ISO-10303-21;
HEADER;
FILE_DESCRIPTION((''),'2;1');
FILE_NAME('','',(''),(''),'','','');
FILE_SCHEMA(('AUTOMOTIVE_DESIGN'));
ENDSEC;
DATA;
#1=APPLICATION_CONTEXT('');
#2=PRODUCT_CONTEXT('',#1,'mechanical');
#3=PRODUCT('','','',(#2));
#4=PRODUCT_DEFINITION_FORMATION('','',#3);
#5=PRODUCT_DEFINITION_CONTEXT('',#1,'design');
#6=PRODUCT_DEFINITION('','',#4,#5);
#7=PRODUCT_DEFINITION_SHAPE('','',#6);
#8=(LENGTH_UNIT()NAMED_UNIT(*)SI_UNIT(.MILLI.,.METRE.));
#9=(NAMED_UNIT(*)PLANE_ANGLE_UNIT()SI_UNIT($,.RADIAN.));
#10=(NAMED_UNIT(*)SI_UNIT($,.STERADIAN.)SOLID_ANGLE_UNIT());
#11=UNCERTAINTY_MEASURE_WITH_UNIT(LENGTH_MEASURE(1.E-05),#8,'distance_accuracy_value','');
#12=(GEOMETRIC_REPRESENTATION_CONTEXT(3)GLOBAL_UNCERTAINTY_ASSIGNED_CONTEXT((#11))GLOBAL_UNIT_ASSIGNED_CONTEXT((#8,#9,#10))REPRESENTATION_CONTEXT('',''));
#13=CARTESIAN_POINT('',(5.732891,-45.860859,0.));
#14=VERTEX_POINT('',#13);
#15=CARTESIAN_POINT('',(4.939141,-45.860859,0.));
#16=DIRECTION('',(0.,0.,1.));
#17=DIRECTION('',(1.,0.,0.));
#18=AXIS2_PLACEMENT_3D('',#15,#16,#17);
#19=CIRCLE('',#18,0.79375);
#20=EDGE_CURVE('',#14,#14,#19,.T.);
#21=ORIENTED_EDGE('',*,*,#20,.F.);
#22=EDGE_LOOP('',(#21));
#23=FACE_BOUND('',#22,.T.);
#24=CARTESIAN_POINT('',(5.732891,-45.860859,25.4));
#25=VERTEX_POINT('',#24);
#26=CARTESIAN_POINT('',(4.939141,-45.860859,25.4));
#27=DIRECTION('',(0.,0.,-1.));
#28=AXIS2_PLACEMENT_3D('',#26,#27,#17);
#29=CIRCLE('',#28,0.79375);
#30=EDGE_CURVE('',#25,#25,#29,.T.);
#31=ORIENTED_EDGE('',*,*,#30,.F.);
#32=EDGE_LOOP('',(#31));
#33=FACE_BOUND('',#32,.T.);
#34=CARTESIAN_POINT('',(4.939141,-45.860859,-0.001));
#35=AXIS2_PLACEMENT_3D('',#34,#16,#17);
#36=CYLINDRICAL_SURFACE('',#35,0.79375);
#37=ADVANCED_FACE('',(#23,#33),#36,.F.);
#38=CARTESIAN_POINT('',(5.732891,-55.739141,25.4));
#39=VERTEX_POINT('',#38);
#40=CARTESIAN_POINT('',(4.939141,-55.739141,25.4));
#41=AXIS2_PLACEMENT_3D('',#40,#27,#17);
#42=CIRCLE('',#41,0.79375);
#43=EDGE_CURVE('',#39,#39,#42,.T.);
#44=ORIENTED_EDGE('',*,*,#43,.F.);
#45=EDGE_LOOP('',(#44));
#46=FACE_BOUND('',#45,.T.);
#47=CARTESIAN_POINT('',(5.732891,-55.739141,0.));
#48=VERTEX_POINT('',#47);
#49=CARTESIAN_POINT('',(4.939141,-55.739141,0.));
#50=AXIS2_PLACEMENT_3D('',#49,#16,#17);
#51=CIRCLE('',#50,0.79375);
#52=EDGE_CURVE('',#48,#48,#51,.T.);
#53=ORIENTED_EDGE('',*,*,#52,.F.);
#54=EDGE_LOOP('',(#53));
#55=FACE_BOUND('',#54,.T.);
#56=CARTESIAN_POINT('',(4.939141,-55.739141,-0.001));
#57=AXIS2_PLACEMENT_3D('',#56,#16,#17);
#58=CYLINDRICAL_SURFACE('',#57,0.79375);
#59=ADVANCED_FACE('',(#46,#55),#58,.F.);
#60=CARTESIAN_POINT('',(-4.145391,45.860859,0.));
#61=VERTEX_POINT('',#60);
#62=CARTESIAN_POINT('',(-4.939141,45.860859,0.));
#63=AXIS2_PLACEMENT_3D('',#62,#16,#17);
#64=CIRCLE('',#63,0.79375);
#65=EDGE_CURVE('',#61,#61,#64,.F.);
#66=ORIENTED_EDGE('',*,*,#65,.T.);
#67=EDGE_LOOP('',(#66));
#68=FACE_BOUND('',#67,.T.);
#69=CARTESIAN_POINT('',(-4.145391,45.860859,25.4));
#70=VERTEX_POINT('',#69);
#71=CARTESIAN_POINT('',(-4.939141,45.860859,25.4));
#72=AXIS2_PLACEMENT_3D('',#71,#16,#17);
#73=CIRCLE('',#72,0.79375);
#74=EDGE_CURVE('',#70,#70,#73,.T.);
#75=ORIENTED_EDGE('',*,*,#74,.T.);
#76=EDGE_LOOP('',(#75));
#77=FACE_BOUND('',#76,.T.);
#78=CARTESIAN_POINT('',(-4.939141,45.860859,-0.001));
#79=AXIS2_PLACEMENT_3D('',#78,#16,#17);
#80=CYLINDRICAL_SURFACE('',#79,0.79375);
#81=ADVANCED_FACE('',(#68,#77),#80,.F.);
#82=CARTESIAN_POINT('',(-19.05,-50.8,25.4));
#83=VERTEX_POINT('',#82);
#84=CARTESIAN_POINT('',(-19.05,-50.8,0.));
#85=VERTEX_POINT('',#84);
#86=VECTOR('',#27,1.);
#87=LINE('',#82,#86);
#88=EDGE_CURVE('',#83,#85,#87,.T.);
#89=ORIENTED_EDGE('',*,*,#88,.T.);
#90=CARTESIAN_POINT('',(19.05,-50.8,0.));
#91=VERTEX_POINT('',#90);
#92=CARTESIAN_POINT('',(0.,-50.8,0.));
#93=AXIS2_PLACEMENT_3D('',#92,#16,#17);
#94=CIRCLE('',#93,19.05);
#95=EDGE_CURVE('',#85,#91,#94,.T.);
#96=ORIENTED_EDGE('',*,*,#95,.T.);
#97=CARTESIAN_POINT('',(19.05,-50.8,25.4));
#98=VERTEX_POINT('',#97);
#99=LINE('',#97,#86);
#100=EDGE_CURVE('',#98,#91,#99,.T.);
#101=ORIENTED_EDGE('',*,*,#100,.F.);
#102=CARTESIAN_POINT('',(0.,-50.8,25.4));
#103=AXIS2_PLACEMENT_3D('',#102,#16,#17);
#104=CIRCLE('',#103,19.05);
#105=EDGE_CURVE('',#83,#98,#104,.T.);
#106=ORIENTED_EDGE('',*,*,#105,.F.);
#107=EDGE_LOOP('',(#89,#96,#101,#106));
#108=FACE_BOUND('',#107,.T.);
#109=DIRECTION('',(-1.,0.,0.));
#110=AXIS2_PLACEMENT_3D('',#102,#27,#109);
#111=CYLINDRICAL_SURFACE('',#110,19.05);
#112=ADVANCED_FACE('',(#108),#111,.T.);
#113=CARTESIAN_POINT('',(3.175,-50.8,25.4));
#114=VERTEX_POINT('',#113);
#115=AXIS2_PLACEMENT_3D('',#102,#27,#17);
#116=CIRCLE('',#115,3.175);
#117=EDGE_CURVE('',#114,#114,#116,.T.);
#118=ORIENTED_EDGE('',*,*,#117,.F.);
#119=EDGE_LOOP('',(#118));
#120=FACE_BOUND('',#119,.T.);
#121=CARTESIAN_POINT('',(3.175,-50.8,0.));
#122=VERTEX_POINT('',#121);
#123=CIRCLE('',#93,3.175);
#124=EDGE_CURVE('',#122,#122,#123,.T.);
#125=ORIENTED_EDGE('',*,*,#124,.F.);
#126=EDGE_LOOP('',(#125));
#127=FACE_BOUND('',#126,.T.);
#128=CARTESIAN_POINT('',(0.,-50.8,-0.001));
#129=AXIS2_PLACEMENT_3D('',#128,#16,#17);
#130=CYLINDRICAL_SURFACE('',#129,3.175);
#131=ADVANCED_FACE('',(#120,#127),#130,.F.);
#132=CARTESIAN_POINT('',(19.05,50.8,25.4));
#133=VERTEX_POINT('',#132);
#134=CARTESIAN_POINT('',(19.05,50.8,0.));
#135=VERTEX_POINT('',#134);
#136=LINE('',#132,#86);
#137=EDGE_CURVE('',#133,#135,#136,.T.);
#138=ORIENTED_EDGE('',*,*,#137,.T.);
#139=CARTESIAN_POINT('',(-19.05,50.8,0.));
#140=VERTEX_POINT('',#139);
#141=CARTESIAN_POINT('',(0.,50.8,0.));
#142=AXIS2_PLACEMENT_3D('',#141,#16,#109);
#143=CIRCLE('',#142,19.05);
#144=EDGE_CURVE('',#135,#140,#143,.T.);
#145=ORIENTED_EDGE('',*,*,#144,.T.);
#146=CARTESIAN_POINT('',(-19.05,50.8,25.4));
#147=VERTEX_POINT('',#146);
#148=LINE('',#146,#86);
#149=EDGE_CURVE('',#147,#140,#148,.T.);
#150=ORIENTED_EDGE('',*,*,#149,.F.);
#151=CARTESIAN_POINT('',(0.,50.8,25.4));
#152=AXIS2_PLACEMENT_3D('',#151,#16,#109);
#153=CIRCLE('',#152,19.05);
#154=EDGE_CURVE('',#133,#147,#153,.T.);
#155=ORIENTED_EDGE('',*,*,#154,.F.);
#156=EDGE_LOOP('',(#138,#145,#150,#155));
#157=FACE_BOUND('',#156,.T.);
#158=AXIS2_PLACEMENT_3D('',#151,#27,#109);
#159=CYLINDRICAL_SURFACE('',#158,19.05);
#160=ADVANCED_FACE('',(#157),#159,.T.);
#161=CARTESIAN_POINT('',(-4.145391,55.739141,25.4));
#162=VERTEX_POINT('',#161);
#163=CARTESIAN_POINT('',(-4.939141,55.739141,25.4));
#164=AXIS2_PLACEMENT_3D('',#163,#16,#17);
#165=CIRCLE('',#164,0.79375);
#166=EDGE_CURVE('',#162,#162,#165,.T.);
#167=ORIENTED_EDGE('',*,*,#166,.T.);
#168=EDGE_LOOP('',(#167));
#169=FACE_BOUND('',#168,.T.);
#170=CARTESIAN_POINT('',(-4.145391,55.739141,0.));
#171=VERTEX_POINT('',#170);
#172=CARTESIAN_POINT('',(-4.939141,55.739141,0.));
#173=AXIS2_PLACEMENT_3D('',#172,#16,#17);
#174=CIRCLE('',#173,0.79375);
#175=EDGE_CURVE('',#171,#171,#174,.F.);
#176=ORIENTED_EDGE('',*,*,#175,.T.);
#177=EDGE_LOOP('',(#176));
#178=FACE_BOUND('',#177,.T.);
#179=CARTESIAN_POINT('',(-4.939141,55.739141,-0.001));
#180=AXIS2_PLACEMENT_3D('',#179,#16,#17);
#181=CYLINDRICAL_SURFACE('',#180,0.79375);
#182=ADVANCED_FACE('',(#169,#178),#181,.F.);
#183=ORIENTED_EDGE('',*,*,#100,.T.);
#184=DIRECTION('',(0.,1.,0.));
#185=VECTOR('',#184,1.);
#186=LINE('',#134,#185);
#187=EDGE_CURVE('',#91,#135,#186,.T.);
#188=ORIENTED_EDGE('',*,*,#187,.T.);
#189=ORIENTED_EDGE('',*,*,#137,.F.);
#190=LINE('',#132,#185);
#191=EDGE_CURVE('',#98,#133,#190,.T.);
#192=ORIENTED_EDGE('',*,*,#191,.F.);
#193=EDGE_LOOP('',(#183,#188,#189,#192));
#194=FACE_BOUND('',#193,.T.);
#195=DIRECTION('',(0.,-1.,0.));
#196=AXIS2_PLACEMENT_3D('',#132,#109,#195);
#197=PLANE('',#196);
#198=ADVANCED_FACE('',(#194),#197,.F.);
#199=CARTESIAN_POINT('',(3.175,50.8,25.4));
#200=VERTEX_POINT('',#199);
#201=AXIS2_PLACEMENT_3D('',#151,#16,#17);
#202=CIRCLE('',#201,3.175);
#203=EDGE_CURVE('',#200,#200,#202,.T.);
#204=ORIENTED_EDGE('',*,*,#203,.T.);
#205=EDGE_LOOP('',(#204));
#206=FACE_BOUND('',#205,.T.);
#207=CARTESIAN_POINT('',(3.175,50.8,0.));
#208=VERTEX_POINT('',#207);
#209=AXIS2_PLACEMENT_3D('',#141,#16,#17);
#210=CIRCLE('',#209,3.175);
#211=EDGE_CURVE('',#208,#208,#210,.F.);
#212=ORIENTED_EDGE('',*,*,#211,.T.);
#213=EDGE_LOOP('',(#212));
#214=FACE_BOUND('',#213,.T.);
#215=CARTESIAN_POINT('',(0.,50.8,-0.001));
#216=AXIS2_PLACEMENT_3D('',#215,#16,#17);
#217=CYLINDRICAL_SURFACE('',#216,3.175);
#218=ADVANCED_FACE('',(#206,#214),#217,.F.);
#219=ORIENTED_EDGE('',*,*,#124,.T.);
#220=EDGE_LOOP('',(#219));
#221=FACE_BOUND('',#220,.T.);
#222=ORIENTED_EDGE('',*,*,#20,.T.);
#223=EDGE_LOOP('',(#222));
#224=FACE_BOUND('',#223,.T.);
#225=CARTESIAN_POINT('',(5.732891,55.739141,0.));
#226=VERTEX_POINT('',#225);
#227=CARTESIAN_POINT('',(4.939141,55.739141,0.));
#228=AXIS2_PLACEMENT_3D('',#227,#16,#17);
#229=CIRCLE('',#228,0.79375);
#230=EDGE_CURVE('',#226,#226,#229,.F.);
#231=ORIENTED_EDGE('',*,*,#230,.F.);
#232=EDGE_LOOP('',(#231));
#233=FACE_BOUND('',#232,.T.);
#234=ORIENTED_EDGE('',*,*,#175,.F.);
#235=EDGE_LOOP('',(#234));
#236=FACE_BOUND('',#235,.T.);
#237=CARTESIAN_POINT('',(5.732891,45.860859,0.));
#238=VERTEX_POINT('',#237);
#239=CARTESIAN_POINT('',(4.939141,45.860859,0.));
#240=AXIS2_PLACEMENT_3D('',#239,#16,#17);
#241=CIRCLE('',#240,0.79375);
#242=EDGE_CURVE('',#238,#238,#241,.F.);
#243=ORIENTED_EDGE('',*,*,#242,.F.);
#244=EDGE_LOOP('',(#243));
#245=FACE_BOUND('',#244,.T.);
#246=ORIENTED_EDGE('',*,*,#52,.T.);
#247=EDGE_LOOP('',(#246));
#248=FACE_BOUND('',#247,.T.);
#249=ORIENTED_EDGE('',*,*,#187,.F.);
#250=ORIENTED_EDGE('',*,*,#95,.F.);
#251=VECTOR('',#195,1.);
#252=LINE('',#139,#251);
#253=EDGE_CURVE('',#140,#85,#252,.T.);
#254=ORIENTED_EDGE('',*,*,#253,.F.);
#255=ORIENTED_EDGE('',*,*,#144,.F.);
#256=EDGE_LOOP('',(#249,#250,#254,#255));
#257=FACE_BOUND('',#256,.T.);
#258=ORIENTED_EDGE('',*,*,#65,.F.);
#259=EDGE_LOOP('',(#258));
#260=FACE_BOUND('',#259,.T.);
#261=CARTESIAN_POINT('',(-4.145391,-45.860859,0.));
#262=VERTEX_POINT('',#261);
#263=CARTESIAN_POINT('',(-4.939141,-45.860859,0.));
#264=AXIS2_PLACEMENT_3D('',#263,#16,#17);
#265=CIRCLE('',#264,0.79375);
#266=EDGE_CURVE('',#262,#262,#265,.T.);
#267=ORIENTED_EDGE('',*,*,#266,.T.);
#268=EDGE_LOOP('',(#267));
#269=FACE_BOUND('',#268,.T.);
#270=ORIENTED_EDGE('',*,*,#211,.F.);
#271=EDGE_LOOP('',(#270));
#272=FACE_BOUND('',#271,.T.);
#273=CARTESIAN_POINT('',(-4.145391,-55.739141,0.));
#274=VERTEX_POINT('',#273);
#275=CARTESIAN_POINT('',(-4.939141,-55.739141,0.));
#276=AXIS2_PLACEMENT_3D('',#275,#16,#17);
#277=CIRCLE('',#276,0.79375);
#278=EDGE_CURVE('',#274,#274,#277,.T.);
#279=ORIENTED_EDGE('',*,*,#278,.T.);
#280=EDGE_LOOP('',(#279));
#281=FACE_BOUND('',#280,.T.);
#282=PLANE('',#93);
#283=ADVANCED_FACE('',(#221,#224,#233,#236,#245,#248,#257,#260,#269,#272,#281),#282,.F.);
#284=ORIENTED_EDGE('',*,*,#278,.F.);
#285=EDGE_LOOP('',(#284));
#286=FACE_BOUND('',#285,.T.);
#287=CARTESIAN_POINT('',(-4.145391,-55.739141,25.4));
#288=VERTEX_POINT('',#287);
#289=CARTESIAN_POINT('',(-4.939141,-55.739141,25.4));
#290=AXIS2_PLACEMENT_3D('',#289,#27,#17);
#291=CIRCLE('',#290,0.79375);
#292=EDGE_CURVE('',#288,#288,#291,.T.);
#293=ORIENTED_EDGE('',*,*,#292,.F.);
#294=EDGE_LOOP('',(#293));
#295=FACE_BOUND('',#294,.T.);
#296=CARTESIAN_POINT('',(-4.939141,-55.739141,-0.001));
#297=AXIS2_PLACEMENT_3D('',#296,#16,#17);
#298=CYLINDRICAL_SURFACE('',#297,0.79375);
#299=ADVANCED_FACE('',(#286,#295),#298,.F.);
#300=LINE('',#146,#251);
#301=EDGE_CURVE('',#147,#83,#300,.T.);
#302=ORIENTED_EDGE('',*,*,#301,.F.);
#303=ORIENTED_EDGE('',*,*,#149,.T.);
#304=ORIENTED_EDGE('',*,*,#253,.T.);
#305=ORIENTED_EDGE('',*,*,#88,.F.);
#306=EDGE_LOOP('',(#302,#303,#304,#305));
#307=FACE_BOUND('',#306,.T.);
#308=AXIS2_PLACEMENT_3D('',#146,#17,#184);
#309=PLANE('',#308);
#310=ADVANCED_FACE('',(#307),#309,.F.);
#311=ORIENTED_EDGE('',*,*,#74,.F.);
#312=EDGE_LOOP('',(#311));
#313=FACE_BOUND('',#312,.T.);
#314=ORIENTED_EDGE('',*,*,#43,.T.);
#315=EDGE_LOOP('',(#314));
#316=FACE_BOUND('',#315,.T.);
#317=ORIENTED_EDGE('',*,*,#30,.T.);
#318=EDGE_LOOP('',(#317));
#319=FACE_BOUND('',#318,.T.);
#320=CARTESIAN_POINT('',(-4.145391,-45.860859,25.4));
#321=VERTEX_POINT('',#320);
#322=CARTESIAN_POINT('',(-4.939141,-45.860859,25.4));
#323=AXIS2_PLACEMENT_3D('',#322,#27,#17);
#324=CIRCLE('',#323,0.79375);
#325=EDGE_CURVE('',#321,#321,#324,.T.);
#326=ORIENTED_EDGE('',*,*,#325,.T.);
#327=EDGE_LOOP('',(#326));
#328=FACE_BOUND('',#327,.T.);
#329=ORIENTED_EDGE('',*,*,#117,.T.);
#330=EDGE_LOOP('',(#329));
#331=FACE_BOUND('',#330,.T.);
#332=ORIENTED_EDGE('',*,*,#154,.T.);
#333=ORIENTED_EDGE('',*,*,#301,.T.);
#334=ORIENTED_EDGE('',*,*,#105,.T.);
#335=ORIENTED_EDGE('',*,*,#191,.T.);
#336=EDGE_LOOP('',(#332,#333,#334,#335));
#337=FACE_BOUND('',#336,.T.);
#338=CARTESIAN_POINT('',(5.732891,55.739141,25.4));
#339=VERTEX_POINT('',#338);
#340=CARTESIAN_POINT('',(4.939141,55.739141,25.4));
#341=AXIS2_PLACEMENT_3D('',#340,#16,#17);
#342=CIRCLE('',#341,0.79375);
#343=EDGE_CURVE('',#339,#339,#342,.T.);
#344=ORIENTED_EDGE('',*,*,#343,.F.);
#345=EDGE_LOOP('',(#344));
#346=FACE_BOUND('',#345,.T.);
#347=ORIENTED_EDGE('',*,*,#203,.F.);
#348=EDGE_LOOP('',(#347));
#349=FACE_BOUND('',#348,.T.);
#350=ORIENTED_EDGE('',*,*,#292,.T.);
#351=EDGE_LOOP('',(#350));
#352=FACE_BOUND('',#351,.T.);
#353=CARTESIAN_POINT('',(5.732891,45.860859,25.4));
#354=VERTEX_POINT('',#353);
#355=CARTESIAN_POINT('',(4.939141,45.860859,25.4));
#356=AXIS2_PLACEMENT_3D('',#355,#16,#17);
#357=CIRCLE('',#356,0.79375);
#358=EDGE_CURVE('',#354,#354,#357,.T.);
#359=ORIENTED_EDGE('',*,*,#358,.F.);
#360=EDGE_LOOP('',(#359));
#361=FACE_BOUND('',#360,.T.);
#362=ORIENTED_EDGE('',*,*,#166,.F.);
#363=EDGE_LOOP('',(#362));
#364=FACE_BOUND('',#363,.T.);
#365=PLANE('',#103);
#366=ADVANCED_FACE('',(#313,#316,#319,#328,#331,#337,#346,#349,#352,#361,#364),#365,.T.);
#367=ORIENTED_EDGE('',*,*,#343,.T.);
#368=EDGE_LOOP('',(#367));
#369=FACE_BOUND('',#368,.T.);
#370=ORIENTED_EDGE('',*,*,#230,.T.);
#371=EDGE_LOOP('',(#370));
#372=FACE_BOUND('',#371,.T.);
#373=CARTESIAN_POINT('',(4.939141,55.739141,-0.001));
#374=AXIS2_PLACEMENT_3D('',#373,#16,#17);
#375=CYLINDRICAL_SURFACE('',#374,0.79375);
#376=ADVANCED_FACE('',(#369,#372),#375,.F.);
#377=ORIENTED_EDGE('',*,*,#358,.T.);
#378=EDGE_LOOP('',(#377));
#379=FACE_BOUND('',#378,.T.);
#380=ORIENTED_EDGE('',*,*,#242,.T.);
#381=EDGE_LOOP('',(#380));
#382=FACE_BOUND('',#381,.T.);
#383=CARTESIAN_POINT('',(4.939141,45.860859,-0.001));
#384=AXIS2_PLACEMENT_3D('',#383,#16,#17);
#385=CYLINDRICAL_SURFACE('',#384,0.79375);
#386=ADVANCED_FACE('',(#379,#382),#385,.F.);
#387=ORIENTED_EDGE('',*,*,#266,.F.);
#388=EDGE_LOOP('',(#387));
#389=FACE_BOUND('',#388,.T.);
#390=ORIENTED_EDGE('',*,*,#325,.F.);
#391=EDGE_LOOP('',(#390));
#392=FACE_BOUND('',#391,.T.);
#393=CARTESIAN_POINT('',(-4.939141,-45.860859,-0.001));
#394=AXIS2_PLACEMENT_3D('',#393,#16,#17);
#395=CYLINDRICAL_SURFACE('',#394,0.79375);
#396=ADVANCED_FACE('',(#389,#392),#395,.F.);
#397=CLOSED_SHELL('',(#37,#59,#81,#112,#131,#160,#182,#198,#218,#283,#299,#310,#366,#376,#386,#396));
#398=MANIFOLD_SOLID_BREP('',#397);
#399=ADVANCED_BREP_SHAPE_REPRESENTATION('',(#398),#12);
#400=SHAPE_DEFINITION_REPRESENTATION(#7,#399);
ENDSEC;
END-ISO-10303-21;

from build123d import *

# Parameters (mm, degrees)
BOSS_EXTRUDE1_DEPTH = 25.4
SKETCH2_R           = 3.175
SKETCH2_R_2         = 0.79375
CUT_EXTRUDE1_DEPTH  = 25.4


with BuildPart() as part:
    # Sketch1 → Boss-Extrude1 (new body)
    with BuildSketch(Plane.XY):
        with BuildLine():
            Line((19.05, 50.8), (19.05, -50.8))
            ThreePointArc((19.05, -50.8), (0, -69.85), (-19.05, -50.8))
            Line((-19.05, -50.8), (-19.05, 50.8))
            ThreePointArc((-19.05, 50.8), (0, 69.85), (19.05, 50.8))
        make_face()
    extrude(amount=BOSS_EXTRUDE1_DEPTH)

    # Sketch2 → Cut-Extrude1 (cut)
    with BuildSketch(Plane.XY.offset(25.4)):
        with Locations((0, 50.8)):
            Circle(SKETCH2_R)
        with Locations((-4.939140867, 55.739140867)):
            Circle(SKETCH2_R_2)
        with Locations((-4.939140867, 45.860859133)):
            Circle(SKETCH2_R_2)
        with Locations((4.939140867, 55.739140867)):
            Circle(SKETCH2_R_2)
        with Locations((4.939140867, 45.860859133)):
            Circle(SKETCH2_R_2)
    cut_extrude1 = extrude(amount=-CUT_EXTRUDE1_DEPTH, mode=Mode.SUBTRACT)

    # Mirror1: Cut-Extrude1 across plane
    add(cut_extrude1.mirror(Plane.ZX), mode=Mode.SUBTRACT)


solid = part.part
